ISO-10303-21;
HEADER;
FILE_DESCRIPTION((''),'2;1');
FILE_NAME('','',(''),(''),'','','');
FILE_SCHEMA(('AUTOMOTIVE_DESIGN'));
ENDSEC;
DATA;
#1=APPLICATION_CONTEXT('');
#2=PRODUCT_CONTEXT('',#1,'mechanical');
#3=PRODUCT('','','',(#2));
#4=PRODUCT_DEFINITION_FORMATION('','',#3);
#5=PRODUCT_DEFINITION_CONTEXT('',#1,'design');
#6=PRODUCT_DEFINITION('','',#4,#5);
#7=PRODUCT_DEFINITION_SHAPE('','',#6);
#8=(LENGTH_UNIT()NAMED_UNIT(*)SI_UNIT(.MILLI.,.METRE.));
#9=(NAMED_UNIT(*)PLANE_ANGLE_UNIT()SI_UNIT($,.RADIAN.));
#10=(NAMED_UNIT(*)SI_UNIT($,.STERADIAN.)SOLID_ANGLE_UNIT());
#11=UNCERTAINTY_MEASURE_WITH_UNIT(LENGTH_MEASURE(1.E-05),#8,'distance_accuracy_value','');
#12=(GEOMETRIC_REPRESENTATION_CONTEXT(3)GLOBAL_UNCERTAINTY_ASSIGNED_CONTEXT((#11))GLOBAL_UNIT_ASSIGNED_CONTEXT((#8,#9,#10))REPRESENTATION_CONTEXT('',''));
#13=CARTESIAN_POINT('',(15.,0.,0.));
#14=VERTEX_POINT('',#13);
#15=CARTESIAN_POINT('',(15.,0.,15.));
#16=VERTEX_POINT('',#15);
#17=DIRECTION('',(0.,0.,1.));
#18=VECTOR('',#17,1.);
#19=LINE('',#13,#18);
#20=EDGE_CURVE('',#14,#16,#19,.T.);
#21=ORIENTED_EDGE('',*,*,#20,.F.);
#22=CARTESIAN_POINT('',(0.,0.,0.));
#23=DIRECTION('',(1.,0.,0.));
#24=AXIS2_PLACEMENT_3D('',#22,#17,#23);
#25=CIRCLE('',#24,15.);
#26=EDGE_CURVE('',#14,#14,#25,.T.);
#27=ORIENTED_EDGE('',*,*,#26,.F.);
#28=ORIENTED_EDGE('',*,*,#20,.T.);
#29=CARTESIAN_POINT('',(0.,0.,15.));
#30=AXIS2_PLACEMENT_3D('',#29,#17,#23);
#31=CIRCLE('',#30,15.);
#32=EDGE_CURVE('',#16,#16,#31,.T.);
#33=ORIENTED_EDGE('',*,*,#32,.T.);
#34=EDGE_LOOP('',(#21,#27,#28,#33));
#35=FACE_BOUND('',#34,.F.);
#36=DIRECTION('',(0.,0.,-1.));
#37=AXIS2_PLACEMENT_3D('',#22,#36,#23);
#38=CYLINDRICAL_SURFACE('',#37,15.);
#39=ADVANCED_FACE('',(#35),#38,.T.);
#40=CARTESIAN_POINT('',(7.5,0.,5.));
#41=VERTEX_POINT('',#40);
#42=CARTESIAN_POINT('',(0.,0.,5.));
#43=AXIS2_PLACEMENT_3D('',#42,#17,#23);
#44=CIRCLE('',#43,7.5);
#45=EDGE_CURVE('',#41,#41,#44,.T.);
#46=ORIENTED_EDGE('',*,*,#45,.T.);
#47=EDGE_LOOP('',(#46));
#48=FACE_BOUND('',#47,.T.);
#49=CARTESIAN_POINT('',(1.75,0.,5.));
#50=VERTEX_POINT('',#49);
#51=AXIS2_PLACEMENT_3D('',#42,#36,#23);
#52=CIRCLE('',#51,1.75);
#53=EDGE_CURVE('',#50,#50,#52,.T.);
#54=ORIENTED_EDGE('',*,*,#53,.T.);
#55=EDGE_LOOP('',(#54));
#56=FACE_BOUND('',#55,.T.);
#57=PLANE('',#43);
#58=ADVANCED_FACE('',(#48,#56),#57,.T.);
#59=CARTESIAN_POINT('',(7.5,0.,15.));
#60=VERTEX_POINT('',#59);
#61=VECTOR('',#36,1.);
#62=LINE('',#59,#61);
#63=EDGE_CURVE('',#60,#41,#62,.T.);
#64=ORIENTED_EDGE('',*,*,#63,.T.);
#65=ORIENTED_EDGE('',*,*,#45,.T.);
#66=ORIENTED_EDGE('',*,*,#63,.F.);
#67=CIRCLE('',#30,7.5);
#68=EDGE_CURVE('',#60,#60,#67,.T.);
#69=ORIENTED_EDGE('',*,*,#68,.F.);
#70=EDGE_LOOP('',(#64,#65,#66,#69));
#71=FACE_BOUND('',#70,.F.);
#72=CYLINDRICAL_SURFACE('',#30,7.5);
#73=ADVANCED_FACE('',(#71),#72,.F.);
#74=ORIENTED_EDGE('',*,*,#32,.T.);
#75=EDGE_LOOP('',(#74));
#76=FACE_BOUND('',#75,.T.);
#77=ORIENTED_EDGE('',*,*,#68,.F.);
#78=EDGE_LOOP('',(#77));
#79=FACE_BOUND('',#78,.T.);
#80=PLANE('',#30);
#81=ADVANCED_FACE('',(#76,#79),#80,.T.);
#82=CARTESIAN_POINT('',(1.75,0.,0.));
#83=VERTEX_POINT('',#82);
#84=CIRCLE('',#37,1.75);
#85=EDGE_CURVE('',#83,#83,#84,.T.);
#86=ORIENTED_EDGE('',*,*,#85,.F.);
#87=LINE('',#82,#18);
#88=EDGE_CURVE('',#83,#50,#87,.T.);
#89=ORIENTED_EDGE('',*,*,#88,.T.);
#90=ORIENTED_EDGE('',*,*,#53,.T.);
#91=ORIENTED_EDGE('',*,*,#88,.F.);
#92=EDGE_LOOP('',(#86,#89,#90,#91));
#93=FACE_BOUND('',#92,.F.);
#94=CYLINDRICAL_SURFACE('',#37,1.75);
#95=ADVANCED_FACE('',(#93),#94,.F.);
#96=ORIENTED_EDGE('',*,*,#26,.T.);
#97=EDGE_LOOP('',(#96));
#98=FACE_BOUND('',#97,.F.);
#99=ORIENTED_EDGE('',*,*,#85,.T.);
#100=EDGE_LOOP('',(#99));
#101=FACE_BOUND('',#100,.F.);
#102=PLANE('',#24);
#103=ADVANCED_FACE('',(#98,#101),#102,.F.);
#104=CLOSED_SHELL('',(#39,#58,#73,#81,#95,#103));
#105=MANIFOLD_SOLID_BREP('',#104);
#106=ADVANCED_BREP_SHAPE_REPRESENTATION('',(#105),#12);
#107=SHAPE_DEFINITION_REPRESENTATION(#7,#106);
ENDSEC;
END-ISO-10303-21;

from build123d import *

# Parameters (mm, degrees)
SKETCH_R        = 15
PAD_DEPTH       = 15
SKETCH001_R     = 7.5
POCKET_DEPTH    = 10
SKETCH002_R     = 1.75
POCKET001_DEPTH = 10


with BuildPart() as part:
    # Sketch → Pad (new body)
    with BuildSketch(Plane.XY):
        Circle(SKETCH_R)
    extrude(amount=PAD_DEPTH)

    # Sketch001 (on Face3 of Pad) → Pocket (cut)
    with BuildSketch(Plane.XY.offset(15)):
        Circle(SKETCH001_R)
    extrude(amount=-POCKET_DEPTH, mode=Mode.SUBTRACT)

    # Sketch002 (on Face2 of Pocket) → Pocket001 (cut)
    with BuildSketch(Plane(origin=(0, 0, 0), x_dir=(1, 0, 0), z_dir=(0, 0, -1))):
        Circle(SKETCH002_R)
    extrude(amount=-POCKET001_DEPTH, mode=Mode.SUBTRACT)


solid = part.part
